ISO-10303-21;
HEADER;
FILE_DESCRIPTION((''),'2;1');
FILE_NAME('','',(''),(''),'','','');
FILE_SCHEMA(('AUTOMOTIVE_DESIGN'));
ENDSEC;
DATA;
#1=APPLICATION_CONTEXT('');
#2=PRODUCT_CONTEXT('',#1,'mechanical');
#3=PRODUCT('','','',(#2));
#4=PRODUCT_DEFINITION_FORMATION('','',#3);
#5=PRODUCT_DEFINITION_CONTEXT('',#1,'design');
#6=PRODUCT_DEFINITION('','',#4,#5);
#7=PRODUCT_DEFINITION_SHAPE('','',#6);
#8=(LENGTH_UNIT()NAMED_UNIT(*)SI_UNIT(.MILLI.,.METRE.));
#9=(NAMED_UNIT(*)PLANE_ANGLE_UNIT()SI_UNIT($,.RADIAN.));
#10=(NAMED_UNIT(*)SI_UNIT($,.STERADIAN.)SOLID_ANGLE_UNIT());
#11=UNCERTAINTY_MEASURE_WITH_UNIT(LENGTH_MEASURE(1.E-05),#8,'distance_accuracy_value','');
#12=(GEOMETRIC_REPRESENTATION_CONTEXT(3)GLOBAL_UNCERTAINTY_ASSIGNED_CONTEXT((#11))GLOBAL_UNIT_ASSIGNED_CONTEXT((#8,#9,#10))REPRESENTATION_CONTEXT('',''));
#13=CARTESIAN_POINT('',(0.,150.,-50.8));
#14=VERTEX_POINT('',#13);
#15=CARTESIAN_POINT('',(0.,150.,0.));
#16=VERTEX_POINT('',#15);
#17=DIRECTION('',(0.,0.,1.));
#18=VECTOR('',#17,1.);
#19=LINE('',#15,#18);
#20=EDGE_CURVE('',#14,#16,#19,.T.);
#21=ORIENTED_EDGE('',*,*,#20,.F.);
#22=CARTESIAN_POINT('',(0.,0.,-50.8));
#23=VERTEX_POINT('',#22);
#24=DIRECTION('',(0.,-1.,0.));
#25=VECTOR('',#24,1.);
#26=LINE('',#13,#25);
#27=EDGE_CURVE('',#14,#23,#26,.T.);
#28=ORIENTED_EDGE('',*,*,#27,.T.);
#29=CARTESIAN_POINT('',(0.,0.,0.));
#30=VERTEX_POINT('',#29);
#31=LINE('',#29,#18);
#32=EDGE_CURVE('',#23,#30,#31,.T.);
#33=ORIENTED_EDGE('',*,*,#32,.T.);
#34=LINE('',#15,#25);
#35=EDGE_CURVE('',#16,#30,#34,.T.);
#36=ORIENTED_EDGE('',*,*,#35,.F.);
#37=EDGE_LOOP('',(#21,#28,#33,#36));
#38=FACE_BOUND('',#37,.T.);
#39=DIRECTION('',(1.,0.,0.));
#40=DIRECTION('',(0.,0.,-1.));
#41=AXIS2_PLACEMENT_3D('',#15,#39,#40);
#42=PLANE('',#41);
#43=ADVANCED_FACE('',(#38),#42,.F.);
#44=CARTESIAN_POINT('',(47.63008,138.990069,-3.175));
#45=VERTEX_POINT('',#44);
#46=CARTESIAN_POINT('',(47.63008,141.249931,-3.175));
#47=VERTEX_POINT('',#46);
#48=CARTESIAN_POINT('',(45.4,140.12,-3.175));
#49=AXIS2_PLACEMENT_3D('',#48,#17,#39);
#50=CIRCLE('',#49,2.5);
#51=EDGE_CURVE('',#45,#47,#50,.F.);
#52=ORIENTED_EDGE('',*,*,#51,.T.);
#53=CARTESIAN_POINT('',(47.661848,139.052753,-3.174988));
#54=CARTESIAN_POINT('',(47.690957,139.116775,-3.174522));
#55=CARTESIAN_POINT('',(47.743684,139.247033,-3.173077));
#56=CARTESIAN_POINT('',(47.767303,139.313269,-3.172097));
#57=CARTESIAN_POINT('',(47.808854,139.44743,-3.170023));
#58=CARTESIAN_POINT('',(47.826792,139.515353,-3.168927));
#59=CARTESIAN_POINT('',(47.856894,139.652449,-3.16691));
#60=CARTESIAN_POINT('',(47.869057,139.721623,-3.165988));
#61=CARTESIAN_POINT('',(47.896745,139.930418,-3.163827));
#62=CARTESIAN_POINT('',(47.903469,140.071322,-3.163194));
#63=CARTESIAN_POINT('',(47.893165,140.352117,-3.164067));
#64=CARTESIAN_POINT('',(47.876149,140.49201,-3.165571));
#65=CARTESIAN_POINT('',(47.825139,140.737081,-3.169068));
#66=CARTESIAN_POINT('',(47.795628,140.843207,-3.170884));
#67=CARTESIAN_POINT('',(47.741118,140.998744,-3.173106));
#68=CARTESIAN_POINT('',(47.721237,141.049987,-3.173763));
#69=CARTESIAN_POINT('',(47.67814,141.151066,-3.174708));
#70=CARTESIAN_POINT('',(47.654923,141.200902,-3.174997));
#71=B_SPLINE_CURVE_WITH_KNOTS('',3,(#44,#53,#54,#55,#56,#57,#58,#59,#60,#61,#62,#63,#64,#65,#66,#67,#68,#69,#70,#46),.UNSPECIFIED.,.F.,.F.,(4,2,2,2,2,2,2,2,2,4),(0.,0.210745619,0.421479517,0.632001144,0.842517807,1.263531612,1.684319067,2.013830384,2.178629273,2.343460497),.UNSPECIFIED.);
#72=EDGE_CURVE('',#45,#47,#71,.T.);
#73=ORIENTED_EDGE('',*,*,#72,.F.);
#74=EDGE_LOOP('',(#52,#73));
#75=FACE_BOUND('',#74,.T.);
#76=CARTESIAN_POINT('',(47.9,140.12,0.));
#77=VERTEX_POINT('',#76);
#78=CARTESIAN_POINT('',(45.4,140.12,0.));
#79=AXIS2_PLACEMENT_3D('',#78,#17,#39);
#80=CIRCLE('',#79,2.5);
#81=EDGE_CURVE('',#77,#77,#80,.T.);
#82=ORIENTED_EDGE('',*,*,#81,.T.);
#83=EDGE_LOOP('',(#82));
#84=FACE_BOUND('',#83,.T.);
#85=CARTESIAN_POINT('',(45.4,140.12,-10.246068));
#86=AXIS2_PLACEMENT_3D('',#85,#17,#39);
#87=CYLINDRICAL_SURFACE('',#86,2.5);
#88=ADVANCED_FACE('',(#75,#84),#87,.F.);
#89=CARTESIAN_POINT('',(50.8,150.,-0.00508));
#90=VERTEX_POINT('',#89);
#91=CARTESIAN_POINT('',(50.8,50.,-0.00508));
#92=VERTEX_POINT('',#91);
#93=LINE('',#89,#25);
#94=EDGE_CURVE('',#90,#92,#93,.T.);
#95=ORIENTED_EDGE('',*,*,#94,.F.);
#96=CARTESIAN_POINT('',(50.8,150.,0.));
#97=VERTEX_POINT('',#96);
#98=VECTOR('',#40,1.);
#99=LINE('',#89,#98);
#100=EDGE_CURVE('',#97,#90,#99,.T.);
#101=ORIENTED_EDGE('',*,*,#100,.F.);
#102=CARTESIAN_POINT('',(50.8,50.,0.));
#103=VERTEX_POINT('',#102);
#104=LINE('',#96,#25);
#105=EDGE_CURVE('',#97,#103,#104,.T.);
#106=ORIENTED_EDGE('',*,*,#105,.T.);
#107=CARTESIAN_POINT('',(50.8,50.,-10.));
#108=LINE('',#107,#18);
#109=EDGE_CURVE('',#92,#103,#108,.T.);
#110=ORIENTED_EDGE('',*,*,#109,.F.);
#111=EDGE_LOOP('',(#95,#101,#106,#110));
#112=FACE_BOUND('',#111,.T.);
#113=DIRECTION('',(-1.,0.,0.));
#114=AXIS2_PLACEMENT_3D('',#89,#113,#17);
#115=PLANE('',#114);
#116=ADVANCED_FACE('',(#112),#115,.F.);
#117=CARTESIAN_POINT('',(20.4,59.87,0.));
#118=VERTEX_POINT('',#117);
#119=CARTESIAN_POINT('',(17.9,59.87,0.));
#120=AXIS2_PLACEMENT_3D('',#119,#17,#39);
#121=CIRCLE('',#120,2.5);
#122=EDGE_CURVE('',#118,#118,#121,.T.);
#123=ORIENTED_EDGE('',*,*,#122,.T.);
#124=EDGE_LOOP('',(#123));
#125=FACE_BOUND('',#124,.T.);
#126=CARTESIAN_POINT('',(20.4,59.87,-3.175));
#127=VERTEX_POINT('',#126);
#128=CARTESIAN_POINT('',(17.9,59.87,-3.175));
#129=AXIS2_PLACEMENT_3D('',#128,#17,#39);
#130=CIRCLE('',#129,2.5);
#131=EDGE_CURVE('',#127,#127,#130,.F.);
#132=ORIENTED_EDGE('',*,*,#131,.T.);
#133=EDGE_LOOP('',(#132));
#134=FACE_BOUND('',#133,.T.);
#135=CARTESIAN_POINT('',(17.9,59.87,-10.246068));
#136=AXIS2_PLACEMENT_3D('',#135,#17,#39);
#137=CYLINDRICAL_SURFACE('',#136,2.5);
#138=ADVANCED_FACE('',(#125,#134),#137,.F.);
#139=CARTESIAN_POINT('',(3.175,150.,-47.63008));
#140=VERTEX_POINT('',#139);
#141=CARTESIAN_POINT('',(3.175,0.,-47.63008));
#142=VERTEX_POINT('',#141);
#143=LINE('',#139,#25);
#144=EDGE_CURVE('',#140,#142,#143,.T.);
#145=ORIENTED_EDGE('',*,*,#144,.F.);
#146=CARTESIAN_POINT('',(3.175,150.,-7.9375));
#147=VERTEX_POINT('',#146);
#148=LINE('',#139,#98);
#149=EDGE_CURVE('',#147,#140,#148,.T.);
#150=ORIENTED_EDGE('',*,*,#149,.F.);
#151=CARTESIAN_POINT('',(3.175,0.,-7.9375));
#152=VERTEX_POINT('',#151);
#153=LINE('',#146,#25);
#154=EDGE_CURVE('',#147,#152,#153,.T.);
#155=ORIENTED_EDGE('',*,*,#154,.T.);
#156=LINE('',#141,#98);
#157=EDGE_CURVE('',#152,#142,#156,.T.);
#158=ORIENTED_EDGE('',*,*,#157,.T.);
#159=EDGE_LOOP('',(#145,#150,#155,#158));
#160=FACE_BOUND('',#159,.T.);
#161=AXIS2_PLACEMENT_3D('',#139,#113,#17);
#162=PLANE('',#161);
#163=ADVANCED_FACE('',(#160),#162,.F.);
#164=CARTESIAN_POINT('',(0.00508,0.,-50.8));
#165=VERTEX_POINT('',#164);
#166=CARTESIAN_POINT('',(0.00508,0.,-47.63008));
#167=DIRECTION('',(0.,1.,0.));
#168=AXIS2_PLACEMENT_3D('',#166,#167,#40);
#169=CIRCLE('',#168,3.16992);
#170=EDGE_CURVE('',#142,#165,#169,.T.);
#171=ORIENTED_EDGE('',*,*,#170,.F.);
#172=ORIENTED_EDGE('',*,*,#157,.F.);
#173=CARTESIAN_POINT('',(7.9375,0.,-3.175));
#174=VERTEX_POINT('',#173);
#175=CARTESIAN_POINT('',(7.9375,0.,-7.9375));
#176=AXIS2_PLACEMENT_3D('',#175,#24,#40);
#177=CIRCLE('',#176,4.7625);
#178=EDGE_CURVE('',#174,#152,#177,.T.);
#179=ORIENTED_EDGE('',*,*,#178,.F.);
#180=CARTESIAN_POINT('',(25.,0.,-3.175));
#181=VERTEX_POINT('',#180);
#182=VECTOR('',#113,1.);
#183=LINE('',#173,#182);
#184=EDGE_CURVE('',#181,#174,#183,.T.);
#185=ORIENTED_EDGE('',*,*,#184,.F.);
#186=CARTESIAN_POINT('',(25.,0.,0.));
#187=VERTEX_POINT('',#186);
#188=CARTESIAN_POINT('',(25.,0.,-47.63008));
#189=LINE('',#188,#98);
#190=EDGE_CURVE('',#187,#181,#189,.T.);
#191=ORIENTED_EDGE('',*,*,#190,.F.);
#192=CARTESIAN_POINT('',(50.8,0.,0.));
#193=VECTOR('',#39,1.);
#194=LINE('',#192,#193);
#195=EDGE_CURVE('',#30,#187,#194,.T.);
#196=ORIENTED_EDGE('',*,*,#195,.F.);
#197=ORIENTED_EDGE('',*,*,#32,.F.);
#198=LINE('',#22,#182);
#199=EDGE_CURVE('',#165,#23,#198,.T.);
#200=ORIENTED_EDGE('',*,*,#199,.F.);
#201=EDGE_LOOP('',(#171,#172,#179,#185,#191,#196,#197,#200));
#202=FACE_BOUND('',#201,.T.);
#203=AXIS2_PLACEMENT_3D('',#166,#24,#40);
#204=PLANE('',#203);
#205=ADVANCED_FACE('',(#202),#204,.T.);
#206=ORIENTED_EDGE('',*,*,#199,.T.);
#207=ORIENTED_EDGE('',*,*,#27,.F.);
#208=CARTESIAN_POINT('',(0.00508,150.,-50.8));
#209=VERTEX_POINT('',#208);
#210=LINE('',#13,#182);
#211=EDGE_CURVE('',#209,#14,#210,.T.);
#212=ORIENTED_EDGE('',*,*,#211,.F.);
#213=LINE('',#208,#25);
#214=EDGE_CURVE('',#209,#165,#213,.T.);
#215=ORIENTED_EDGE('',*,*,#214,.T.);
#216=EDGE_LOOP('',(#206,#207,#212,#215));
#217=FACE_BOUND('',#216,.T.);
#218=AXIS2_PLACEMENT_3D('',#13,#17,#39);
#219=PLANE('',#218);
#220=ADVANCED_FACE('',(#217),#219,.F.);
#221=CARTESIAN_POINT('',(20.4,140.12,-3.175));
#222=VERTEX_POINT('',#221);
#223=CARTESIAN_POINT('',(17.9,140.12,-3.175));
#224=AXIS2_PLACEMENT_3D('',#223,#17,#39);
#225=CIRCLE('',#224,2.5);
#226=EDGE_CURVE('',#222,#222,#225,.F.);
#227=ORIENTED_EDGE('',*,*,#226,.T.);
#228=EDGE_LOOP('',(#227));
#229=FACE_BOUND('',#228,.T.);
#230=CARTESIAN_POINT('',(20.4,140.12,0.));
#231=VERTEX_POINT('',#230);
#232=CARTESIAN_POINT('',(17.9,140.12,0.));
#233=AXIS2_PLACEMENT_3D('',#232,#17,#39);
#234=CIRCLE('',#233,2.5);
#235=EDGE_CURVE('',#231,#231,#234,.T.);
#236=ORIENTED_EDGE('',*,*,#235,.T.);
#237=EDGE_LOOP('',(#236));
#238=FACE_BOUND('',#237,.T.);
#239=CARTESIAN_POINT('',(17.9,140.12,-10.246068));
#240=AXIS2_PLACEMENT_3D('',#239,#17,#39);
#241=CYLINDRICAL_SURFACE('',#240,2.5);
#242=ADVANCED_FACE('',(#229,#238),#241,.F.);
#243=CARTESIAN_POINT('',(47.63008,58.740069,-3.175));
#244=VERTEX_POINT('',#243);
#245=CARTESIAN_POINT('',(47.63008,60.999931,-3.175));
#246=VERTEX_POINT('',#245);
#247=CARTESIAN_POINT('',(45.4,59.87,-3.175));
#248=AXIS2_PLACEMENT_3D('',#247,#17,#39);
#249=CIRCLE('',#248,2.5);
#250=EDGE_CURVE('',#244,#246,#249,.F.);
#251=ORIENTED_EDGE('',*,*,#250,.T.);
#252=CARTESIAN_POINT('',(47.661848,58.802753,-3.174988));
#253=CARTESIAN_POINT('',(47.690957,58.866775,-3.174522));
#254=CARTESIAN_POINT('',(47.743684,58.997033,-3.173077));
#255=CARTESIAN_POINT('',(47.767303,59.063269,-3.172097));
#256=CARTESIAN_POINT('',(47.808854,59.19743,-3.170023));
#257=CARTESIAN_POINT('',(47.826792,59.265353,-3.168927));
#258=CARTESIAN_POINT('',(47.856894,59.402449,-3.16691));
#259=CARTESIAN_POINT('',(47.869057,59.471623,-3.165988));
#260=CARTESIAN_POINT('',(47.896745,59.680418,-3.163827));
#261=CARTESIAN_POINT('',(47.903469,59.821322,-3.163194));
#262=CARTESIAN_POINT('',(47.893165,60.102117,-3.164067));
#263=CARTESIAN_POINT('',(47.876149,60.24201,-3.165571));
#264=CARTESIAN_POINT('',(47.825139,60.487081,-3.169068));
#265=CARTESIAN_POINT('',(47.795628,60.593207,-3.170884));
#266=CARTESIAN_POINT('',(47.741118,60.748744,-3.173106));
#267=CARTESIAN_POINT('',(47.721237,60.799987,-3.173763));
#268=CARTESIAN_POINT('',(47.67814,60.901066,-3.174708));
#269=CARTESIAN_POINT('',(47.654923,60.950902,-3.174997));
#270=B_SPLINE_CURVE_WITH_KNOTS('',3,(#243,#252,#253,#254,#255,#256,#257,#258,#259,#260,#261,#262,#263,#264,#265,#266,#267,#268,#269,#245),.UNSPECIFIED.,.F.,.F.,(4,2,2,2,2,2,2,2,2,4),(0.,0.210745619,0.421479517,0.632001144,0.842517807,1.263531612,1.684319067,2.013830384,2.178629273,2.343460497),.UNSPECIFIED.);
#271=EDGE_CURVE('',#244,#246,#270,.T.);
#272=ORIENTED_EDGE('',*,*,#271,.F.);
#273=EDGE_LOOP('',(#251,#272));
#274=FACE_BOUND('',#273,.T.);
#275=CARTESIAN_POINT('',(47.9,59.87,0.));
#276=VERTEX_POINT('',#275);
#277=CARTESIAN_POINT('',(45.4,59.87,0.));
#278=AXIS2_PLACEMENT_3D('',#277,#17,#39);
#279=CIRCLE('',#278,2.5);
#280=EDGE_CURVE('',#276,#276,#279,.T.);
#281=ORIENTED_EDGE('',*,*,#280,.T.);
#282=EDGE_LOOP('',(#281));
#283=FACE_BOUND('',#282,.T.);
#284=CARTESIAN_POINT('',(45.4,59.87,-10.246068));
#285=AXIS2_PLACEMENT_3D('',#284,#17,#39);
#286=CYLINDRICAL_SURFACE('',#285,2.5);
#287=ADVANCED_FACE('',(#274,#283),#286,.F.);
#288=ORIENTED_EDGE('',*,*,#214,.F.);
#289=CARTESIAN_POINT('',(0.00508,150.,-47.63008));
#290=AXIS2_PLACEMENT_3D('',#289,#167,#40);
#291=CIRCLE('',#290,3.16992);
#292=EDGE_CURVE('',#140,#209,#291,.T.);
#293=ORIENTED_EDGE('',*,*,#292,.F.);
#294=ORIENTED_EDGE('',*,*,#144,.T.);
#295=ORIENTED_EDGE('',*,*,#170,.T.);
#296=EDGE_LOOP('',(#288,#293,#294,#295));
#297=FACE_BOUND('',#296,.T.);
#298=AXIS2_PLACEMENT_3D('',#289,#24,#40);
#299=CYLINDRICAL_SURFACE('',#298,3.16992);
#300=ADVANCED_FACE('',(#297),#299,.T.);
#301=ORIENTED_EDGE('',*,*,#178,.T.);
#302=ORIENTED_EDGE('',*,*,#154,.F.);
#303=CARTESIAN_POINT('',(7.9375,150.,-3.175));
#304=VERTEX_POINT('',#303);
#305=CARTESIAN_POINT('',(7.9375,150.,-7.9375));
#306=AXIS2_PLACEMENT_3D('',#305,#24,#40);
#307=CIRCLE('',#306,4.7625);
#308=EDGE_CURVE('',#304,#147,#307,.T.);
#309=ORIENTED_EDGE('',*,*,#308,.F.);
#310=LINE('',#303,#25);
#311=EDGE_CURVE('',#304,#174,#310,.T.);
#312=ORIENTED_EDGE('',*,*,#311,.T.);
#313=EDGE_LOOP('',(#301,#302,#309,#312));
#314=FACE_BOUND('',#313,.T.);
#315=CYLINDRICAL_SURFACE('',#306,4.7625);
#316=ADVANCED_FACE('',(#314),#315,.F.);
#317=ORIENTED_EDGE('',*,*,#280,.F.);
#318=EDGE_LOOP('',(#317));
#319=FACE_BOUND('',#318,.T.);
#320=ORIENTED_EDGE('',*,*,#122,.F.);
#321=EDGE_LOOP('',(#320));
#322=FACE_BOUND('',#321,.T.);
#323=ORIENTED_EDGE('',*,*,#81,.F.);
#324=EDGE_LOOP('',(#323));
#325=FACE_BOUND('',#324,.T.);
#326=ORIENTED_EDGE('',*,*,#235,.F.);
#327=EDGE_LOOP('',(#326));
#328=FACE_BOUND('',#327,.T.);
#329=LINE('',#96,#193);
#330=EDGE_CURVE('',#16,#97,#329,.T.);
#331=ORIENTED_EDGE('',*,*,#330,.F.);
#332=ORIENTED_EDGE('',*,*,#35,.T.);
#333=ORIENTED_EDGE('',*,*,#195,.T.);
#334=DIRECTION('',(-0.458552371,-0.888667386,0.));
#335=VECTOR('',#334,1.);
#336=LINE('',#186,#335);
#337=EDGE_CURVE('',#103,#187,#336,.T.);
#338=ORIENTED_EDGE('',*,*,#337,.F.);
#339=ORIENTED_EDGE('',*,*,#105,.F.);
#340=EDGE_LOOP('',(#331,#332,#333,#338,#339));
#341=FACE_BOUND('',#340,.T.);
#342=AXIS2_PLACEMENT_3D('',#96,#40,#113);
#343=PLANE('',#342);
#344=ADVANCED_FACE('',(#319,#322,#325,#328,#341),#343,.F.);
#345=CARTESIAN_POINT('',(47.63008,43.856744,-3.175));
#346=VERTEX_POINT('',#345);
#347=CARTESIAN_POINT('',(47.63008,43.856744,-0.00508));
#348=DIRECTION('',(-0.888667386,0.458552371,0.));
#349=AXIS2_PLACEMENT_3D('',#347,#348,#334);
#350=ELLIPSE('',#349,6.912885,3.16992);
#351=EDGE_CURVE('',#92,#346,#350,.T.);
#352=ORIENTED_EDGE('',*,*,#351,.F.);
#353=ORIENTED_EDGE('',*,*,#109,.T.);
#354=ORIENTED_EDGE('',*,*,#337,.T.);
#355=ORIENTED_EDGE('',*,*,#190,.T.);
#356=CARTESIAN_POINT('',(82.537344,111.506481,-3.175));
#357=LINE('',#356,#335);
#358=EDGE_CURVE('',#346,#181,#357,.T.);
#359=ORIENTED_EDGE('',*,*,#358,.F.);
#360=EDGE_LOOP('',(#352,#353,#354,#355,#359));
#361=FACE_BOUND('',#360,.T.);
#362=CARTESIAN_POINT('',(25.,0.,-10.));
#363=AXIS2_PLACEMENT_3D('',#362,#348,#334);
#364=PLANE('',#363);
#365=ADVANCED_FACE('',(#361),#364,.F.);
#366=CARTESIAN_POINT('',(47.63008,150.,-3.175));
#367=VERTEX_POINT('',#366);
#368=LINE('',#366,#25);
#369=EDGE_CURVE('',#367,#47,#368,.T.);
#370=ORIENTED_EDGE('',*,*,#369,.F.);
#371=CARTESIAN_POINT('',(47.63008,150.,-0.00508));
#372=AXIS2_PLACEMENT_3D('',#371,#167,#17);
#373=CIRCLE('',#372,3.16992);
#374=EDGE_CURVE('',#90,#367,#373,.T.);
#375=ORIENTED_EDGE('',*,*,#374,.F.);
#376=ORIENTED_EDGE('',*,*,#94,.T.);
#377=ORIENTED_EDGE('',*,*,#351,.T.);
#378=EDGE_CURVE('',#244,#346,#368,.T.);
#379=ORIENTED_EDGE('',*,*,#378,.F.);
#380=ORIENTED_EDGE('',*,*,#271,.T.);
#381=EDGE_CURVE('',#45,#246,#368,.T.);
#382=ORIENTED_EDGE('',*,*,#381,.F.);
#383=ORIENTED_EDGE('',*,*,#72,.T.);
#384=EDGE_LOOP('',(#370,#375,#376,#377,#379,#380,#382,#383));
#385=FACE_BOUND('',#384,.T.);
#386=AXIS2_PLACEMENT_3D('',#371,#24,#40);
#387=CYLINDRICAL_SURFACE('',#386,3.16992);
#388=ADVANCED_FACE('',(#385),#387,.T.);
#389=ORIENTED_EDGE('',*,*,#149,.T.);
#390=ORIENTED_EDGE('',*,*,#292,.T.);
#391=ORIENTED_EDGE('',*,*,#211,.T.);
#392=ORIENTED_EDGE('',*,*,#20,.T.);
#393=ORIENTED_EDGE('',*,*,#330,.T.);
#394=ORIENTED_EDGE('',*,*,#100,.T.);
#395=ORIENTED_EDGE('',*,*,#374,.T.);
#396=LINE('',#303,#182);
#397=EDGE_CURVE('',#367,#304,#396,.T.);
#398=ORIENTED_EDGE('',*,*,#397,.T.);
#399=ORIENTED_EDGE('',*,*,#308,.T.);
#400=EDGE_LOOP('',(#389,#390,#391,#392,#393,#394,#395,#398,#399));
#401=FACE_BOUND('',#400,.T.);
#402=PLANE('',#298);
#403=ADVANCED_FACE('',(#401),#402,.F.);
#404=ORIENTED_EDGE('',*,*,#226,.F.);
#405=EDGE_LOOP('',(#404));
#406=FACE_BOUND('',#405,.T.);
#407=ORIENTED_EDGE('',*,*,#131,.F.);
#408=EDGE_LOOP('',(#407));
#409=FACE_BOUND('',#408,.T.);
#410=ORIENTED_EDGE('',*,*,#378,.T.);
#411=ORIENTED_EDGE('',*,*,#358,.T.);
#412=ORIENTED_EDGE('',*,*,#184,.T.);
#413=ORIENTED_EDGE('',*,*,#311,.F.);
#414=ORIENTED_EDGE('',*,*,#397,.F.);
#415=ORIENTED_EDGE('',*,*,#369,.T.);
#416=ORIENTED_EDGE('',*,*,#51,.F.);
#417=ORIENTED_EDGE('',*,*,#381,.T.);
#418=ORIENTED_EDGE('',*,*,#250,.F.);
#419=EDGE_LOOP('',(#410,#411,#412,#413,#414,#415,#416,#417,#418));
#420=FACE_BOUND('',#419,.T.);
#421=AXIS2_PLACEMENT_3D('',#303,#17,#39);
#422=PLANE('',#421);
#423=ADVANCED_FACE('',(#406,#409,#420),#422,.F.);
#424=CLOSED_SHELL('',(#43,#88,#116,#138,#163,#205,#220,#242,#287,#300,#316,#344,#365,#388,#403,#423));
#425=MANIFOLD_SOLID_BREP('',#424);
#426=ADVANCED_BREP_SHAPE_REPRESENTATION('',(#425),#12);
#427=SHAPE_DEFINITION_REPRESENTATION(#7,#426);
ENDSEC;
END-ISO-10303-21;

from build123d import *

# Parameters (mm, degrees)
HIERRO_ANGULAR_2_X_2_X_0_125_1_DEPTH = 150
CORTAR_EXTRUIR1_DEPTH                = 10
CORTAR_EXTRUIR2_REACH                = 168.317
CROQUIS4_R                           = 2.5


with BuildPart() as part:
    # Sketch1 → Hierro angular 2 X 2 X 0.125(1) (new body)
    with BuildSketch(Plane(origin=(0, 0, 0), x_dir=(1, 0, 0), z_dir=(0, 1, 0))):
        with BuildLine():
            Line((0, 0), (0, 50.8))
            Line((0, 50.8), (0.00508, 50.8))
            ThreePointArc((0.00508, 50.8), (2.246551928, 49.871551928), (3.175, 47.63008))
            Line((3.175, 47.63008), (3.175, 7.9375))
            ThreePointArc((3.175, 7.9375), (4.569903955, 4.569903955), (7.9375, 3.175))
            Line((7.9375, 3.175), (47.63008, 3.175))
            ThreePointArc((47.63008, 3.175), (49.871551928, 2.246551928), (50.8, 0.00508))
            Line((50.8, 0.00508), (50.8, 0))
            Line((50.8, 0), (0, 0))
        make_face()
    extrude(amount=HIERRO_ANGULAR_2_X_2_X_0_125_1_DEPTH)

    # Croquis3 → Cortar-Extruir1 (cut)
    with BuildSketch(Plane.XY):
        Polygon((25, 0), (50.8, 50), (50.8, 0), align=None)
    extrude(amount=-CORTAR_EXTRUIR1_DEPTH, mode=Mode.SUBTRACT)

    # Cortar-Extruir2: up to this face of the body (flat: up to its plane)
    cortar_extruir2_end = Plane(part.part.faces().sort_by_distance((26.665136317, 80.490198143, -3.175))[0])
    # Croquis4 → Cortar-Extruir2 (cut, up to the picked face)
    with BuildSketch(Plane.XY, mode=Mode.PRIVATE) as cortar_extruir2_sk1:
        with Locations((17.9, 140.12)):
            Circle(CROQUIS4_R)
    cortar_extruir2_tool1 = split(extrude(cortar_extruir2_sk1.sketch, amount=-CORTAR_EXTRUIR2_REACH, mode=Mode.PRIVATE), bisect_by=cortar_extruir2_end, keep=Keep.BOTH, mode=Mode.PRIVATE)
    # Croquis4 → Cortar-Extruir2 (cut, up to the picked face)
    with BuildSketch(Plane.XY, mode=Mode.PRIVATE) as cortar_extruir2_sk2:
        with Locations((45.4, 140.12)):
            Circle(CROQUIS4_R)
    cortar_extruir2_tool2 = split(extrude(cortar_extruir2_sk2.sketch, amount=-CORTAR_EXTRUIR2_REACH, mode=Mode.PRIVATE), bisect_by=cortar_extruir2_end, keep=Keep.BOTH, mode=Mode.PRIVATE)
    # Croquis4 → Cortar-Extruir2 (cut, up to the picked face)
    with BuildSketch(Plane.XY, mode=Mode.PRIVATE) as cortar_extruir2_sk3:
        with Locations((17.9, 59.87)):
            Circle(CROQUIS4_R)
    cortar_extruir2_tool3 = split(extrude(cortar_extruir2_sk3.sketch, amount=-CORTAR_EXTRUIR2_REACH, mode=Mode.PRIVATE), bisect_by=cortar_extruir2_end, keep=Keep.BOTH, mode=Mode.PRIVATE)
    # Croquis4 → Cortar-Extruir2 (cut, up to the picked face)
    with BuildSketch(Plane.XY, mode=Mode.PRIVATE) as cortar_extruir2_sk4:
        with Locations((45.4, 59.87)):
            Circle(CROQUIS4_R)
    cortar_extruir2_tool4 = split(extrude(cortar_extruir2_sk4.sketch, amount=-CORTAR_EXTRUIR2_REACH, mode=Mode.PRIVATE), bisect_by=cortar_extruir2_end, keep=Keep.BOTH, mode=Mode.PRIVATE)
    add(cortar_extruir2_tool1.solids().sort_by(Axis((17.9, 140.12, 0), (0, 0, -1)))[0], mode=Mode.SUBTRACT)
    add(cortar_extruir2_tool2.solids().sort_by(Axis((45.4, 140.12, 0), (0, 0, -1)))[0], mode=Mode.SUBTRACT)
    add(cortar_extruir2_tool3.solids().sort_by(Axis((17.9, 59.87, 0), (0, 0, -1)))[0], mode=Mode.SUBTRACT)
    add(cortar_extruir2_tool4.solids().sort_by(Axis((45.4, 59.87, 0), (0, 0, -1)))[0], mode=Mode.SUBTRACT)


solid = part.part
